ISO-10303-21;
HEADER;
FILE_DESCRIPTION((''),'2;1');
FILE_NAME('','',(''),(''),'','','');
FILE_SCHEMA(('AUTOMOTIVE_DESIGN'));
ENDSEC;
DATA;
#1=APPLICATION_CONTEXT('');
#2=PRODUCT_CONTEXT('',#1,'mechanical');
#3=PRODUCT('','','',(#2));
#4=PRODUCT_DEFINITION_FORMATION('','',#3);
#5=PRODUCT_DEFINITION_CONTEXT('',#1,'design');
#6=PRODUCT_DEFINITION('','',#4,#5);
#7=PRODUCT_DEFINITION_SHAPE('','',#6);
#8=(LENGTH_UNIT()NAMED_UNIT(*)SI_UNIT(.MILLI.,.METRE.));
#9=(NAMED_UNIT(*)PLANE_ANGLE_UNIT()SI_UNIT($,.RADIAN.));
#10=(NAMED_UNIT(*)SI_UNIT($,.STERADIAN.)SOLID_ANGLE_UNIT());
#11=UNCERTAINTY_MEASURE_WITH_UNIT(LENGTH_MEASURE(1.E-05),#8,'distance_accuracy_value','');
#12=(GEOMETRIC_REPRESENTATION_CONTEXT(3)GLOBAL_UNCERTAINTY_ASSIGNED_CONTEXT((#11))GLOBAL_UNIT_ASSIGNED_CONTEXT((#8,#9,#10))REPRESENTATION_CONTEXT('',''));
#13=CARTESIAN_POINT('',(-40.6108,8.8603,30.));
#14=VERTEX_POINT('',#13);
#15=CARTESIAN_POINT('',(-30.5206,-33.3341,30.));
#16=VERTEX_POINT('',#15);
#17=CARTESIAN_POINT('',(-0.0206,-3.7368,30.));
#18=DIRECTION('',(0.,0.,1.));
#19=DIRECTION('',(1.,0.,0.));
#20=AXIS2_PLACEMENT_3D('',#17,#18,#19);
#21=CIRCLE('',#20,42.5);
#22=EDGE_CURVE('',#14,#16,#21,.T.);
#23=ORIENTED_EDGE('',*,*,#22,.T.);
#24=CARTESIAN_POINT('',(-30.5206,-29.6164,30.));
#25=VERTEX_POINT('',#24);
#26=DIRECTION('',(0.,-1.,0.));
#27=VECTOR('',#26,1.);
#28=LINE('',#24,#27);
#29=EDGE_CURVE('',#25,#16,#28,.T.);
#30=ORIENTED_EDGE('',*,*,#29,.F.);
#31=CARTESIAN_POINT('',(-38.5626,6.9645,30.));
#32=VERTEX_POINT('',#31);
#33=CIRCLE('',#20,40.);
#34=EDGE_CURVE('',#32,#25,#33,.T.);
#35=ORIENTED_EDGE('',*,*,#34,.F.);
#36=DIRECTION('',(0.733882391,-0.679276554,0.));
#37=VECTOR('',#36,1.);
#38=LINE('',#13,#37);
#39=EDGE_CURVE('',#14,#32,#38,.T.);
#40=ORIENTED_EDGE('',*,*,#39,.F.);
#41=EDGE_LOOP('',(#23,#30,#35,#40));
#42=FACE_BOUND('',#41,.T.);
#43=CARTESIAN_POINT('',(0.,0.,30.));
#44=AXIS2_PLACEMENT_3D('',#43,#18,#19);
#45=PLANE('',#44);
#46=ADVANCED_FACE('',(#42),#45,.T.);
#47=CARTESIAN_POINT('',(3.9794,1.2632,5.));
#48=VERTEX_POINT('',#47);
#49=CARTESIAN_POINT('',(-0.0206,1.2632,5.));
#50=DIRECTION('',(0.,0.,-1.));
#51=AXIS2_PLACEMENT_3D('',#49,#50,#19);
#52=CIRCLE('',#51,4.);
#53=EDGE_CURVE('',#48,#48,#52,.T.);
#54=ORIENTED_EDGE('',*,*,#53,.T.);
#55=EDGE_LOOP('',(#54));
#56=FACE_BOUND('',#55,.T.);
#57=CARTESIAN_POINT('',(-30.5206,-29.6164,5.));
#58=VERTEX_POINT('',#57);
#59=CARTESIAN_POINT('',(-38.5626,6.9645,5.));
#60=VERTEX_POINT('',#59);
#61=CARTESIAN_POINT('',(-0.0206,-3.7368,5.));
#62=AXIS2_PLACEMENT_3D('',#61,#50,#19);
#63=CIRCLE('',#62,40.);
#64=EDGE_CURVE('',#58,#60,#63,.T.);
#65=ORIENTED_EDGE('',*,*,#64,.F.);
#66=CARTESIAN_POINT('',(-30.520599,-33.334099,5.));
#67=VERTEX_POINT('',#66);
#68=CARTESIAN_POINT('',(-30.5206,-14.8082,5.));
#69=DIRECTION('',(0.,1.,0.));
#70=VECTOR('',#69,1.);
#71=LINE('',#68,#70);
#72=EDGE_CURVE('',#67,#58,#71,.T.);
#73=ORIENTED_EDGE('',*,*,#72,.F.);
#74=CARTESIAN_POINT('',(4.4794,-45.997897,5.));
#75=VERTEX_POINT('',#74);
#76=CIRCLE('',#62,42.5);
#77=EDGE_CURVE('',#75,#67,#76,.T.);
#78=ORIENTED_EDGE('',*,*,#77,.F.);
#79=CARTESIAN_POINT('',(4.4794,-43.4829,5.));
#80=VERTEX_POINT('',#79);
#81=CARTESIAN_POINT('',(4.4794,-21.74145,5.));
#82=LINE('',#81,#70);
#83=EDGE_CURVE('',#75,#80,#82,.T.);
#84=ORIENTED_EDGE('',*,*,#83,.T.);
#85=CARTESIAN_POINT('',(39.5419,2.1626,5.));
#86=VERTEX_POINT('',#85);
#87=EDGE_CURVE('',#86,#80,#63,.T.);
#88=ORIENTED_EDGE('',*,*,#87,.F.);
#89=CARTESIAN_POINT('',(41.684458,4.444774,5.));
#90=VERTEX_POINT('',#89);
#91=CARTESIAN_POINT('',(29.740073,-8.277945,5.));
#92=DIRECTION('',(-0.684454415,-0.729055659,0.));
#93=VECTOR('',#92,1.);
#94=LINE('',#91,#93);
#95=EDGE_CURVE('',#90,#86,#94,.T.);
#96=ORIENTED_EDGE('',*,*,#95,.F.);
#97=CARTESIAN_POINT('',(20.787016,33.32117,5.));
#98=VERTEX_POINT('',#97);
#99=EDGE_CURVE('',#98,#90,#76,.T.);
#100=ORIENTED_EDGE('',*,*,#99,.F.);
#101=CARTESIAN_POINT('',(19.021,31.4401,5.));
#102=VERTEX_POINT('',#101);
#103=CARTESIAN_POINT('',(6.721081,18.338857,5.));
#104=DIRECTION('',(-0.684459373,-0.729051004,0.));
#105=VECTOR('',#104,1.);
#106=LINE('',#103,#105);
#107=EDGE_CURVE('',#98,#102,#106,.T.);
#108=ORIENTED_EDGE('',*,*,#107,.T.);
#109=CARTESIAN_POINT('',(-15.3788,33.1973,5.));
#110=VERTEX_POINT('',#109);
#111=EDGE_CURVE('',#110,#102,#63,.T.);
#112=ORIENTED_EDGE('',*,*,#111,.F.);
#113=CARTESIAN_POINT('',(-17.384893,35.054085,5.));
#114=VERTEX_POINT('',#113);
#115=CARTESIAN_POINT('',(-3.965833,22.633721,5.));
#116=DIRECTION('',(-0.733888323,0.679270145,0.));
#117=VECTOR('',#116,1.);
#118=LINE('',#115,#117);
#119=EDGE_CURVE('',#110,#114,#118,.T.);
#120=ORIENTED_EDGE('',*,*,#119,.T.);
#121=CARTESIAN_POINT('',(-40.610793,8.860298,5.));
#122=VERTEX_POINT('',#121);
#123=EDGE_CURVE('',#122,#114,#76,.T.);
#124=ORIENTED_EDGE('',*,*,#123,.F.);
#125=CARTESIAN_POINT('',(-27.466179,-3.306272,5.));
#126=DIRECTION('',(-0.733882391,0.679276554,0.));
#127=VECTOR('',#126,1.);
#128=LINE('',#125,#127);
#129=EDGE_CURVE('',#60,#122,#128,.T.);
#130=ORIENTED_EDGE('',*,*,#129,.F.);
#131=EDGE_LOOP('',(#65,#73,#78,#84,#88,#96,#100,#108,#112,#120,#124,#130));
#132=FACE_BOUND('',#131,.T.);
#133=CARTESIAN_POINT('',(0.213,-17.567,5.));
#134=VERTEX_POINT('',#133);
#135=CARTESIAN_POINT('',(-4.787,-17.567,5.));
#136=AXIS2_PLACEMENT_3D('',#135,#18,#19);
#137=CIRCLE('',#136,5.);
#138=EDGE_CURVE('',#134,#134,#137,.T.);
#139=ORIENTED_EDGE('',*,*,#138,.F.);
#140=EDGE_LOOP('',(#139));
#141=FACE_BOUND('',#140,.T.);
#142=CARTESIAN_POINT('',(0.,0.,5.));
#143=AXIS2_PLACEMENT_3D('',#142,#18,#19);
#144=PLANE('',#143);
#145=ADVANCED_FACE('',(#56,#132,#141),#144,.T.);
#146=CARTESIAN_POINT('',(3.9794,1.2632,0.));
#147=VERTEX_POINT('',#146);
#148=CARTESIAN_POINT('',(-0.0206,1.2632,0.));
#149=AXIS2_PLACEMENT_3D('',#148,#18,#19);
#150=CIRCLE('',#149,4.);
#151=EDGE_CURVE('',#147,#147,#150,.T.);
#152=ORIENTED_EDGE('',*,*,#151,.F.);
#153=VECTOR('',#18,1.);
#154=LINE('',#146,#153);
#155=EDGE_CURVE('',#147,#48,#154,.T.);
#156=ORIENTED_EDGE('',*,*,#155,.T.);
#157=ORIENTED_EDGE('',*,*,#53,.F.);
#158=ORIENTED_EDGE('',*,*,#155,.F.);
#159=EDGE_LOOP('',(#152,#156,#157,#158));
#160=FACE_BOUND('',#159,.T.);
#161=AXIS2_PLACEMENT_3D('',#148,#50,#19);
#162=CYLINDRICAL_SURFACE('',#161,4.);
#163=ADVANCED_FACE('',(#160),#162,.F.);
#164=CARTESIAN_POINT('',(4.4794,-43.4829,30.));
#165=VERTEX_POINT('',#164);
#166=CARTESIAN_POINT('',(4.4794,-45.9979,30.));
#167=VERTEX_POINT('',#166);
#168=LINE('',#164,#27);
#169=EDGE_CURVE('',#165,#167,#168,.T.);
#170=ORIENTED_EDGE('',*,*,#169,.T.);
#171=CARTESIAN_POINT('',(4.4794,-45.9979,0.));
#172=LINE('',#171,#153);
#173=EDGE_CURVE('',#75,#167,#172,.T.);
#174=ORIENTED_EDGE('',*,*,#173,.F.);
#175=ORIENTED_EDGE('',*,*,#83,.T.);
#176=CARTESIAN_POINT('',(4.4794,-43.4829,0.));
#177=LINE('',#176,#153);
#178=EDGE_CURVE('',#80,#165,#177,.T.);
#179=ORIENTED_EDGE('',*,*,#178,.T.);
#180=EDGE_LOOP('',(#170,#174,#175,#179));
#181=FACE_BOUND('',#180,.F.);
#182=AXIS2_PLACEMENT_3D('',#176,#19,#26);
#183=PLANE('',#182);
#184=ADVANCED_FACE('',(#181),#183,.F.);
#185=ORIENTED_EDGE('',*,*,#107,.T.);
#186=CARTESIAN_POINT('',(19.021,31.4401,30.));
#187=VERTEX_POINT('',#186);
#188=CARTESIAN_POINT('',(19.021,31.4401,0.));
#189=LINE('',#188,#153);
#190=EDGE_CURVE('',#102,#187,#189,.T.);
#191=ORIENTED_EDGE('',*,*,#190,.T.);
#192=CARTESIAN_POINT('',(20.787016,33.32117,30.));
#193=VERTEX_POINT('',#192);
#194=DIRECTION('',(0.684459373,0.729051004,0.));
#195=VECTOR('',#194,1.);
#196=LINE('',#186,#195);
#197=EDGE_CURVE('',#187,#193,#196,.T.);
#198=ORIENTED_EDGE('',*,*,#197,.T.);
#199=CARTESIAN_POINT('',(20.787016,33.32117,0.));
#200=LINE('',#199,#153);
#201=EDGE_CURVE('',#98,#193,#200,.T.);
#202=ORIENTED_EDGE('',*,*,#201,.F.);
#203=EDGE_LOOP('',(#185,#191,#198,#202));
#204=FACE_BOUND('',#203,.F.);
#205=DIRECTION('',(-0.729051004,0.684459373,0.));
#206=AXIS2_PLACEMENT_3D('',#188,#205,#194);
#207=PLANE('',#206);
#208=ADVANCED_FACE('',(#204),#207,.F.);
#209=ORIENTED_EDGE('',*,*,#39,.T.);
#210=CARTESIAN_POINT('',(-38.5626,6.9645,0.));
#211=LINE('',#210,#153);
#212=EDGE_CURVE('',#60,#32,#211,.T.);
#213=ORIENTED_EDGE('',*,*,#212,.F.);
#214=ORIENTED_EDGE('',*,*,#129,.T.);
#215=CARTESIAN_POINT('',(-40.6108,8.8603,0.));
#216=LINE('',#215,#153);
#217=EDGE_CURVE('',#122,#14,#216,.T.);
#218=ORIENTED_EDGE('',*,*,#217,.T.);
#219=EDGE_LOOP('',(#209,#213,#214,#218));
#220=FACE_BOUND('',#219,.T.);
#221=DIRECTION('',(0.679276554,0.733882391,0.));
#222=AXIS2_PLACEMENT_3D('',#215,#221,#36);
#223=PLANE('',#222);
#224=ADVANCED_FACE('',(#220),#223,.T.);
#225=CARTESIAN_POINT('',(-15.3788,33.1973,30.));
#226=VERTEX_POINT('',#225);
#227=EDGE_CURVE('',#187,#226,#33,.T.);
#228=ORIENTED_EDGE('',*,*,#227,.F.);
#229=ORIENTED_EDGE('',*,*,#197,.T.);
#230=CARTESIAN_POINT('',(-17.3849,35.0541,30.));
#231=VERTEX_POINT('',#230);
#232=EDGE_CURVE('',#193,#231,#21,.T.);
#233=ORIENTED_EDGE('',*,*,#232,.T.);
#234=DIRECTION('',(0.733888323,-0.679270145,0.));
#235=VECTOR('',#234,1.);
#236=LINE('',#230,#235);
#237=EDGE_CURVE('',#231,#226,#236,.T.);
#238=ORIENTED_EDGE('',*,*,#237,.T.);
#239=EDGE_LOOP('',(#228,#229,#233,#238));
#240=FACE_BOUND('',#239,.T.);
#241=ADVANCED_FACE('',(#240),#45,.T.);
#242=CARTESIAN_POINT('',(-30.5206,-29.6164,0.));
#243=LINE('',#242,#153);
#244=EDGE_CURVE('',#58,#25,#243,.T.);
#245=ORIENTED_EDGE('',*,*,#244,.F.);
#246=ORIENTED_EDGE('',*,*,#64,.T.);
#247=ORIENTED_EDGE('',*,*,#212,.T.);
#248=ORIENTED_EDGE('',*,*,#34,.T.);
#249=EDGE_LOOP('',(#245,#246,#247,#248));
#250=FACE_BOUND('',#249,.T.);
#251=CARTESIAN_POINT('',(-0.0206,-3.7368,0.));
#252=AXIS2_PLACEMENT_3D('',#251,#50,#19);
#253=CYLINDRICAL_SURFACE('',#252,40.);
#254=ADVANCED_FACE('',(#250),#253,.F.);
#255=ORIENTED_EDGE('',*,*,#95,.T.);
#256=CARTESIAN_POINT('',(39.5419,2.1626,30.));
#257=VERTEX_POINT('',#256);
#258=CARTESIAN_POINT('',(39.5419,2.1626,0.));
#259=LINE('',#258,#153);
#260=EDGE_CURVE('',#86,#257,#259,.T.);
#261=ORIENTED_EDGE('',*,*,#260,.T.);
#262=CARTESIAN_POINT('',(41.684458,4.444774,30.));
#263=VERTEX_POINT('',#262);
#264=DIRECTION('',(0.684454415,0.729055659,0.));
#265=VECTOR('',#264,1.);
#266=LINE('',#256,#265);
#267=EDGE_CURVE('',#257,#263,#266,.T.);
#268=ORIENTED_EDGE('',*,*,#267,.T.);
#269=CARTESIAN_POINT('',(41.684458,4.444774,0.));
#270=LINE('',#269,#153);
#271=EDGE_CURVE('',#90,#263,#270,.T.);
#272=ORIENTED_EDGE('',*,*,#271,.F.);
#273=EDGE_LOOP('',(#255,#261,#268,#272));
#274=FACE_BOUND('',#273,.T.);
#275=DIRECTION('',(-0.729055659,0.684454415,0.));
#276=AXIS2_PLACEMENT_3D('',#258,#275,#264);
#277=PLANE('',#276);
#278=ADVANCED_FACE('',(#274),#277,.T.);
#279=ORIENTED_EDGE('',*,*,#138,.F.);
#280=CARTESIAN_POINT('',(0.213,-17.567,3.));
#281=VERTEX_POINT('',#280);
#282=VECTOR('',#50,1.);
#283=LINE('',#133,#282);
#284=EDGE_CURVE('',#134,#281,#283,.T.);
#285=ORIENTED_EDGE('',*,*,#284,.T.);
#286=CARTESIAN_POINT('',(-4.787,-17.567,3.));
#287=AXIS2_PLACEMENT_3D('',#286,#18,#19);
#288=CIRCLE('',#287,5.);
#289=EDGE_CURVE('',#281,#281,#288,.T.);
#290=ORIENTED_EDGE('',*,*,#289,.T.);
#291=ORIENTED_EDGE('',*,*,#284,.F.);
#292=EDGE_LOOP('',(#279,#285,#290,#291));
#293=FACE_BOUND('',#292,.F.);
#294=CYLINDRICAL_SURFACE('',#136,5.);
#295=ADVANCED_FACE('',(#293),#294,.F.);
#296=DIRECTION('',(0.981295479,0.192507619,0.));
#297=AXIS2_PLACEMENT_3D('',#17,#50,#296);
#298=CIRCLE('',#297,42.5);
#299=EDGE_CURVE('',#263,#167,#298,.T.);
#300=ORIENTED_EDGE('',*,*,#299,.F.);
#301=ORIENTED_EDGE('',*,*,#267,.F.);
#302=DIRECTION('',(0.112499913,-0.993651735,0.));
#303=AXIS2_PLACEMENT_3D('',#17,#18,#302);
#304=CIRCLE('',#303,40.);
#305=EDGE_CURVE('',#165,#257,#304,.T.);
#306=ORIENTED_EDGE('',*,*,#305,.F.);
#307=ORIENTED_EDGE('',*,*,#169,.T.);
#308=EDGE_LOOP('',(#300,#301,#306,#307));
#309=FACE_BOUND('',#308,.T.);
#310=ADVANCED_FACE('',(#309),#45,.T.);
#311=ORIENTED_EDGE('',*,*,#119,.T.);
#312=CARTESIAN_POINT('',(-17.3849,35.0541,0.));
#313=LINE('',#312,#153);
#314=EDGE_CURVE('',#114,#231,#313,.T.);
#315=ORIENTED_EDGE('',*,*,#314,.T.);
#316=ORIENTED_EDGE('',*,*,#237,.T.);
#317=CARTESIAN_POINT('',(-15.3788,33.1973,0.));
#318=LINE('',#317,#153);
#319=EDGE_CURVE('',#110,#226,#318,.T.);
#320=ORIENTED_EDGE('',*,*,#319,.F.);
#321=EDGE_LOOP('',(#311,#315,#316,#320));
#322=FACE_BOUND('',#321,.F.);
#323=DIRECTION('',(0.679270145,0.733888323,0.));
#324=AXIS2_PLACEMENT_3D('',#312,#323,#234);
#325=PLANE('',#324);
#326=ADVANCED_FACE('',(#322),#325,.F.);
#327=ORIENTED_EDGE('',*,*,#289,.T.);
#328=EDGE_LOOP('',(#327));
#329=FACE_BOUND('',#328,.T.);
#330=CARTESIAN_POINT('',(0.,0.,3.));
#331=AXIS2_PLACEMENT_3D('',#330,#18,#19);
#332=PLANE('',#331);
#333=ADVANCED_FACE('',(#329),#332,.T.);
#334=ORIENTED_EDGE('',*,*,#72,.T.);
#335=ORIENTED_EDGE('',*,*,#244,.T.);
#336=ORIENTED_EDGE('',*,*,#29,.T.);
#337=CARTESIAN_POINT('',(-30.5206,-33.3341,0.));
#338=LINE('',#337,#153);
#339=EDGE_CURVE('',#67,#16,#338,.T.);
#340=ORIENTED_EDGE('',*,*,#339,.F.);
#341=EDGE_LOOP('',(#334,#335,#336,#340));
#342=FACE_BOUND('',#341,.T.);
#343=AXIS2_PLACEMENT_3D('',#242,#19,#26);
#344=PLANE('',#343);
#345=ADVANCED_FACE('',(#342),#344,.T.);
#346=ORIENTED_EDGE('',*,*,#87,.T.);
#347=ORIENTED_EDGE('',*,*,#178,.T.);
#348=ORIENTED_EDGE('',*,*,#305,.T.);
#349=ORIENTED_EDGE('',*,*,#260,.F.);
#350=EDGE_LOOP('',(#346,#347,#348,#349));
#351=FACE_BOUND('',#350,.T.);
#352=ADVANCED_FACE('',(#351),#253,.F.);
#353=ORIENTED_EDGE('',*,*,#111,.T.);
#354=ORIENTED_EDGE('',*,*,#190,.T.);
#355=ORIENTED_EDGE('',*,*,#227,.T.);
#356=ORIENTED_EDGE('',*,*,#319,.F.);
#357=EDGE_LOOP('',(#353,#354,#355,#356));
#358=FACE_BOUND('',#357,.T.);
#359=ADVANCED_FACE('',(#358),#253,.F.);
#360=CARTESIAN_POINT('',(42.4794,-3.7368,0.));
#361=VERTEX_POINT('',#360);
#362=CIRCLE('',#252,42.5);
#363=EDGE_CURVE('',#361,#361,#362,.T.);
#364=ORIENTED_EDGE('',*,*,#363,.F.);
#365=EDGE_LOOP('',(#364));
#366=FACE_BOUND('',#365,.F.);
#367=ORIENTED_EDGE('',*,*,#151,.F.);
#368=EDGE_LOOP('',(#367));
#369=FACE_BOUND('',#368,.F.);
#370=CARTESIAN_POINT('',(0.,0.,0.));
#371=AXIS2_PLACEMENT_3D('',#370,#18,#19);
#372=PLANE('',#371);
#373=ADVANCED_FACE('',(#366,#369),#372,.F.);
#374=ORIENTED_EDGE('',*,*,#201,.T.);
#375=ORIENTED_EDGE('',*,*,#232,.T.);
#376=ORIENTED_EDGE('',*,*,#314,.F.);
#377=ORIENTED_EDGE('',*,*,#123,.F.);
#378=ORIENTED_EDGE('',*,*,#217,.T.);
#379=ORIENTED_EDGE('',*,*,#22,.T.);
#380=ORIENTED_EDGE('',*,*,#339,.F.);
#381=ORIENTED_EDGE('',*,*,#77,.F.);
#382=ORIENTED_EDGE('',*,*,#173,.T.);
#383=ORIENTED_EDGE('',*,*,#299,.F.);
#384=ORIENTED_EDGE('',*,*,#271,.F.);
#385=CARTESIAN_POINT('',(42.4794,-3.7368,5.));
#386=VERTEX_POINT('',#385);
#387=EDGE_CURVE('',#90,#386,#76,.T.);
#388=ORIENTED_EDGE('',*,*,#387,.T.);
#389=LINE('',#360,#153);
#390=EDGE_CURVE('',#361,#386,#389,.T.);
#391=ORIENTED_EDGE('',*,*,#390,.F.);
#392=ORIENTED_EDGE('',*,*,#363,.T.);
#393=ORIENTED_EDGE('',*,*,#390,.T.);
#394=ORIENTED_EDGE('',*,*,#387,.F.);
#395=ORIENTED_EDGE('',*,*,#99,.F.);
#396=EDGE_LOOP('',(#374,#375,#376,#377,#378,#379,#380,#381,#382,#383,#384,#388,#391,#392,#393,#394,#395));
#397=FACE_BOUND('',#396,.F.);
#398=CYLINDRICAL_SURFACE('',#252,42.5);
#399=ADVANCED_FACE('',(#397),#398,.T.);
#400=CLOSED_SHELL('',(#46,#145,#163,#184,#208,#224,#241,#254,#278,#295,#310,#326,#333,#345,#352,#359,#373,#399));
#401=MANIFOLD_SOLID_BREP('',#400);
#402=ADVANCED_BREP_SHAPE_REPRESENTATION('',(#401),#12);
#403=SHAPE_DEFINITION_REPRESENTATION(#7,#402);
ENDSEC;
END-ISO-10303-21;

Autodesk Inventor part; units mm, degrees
ref_plane "YZ Plane" through (0, 0, 0) normal (1, 0, 0) x (0, 1, 0)
ref_plane "XZ Plane" through (0, 0, 0) normal (0, 1, 0) x (-1, 0, 0)
ref_plane "XY Plane" through (0, 0, 0) normal (0, 0, 1) x (1, 0, 0)
sketch "Sketch1" plane through (0, 0, 0) normal (0, 0, 1) x (1, 0, 0)
  circle A0 centre (-0.0206, -3.7368) radius 40
  circle A1 centre (-0.0206, -3.7368) radius 42.5
  circle A2 centre (-0.0206, 1.2632) radius 4
  line L0 (-6.0206, 0.0132) -> (5.9794, 0.0132)
  line L1 (5.9794, 0.0132) -> (5.9794, 2.5132)
  line L2 (5.9794, 2.5132) -> (-6.0206, 2.5132)
  line L3 (-6.0206, 2.5132) -> (-6.0206, 0.0132)
  line L4 (-17.3849, 35.0541) -> (-15.3788, 33.1973)
  line L5 (-40.6108, 8.8603) -> (-38.5626, 6.9645)
  line L6 (19.021, 31.4401) -> (21.6473, 34.2375)
  line L7 (39.5419, 2.1626) -> (44.5969, 7.547)
  line L8 (4.4794, -43.4829) -> (4.4794, -45.9979)
  line L9 (-30.5206, -29.6164) -> (-30.5206, -33.3341)
  point P0 (0, 0)
  point P1 (-0.0206, -53.7368)
  point P2 (-0.0206, -9.5426)
  point P3 (-3.8203, 2.5132)
  point P4 (3.779, 2.5132)
  point P5 (3.779, 0.0132)
  point P6 (-3.8203, 0.0132)
  point P7 (-30.452, -29.697)
  point P8 (20.787, 33.3211)
  point P9 (41.6844, 4.4447)
  point P10 (-30.5206, -31.4752)
  dimension "d4" = 40
  dimension "d7" = 50
  dimension "d9" = 8
  dimension "d10" = 12
  dimension "d11" = 2.5
  dimension "d12" = 55
  dimension "d13" = 1.25
  dimension "d14" = 85
  dimension "d15" = 2.5
  dimension "d49" = 35
  dimension "d67" = 35
  dimension "d80" = 35
extrude "Extrusion1" add sketch "Sketch1" along normal blind 5 contours A0 | A0 L7 A1 L8 | A0 L6 A1 L7 | L8 A1 L9 A0 | A0 L4 A1 L6 | L9 A1 L5 A0 | A0 L5 A1 L4 | A2 L0 L2 | A2 L2 L1 L0 | L2 A2 | A2 L0 | A2 L0 L3 L2
extrude "Extrusion10" add sketch "Sketch1" along normal blind 30 contours A0 L7 A1 L8 | A0 L4 A1 L6 | L9 A1 L5 A0 | A2 L0 L2 | L2 A2 | A2 L0
extrude "Extrusion11" cut sketch "Sketch1" along normal blind 30 contours A2 L0 L2 | L2 A2 | A2 L0
sketch "Sketch2" plane through (0, 0, 5) normal (0, 0, 1) x (1, 0, 0)
  circle A0 centre (-0.0206, -3.7368) radius 42.5 projected
  circle A1 centre (-4.787, -17.567) radius 5
  point P0 (0, 0)
  dimension "d94" = 10
extrude "Extrusion12" cut sketch "Sketch2" against normal blind 2 contours A1
properties part number "tryy2"
